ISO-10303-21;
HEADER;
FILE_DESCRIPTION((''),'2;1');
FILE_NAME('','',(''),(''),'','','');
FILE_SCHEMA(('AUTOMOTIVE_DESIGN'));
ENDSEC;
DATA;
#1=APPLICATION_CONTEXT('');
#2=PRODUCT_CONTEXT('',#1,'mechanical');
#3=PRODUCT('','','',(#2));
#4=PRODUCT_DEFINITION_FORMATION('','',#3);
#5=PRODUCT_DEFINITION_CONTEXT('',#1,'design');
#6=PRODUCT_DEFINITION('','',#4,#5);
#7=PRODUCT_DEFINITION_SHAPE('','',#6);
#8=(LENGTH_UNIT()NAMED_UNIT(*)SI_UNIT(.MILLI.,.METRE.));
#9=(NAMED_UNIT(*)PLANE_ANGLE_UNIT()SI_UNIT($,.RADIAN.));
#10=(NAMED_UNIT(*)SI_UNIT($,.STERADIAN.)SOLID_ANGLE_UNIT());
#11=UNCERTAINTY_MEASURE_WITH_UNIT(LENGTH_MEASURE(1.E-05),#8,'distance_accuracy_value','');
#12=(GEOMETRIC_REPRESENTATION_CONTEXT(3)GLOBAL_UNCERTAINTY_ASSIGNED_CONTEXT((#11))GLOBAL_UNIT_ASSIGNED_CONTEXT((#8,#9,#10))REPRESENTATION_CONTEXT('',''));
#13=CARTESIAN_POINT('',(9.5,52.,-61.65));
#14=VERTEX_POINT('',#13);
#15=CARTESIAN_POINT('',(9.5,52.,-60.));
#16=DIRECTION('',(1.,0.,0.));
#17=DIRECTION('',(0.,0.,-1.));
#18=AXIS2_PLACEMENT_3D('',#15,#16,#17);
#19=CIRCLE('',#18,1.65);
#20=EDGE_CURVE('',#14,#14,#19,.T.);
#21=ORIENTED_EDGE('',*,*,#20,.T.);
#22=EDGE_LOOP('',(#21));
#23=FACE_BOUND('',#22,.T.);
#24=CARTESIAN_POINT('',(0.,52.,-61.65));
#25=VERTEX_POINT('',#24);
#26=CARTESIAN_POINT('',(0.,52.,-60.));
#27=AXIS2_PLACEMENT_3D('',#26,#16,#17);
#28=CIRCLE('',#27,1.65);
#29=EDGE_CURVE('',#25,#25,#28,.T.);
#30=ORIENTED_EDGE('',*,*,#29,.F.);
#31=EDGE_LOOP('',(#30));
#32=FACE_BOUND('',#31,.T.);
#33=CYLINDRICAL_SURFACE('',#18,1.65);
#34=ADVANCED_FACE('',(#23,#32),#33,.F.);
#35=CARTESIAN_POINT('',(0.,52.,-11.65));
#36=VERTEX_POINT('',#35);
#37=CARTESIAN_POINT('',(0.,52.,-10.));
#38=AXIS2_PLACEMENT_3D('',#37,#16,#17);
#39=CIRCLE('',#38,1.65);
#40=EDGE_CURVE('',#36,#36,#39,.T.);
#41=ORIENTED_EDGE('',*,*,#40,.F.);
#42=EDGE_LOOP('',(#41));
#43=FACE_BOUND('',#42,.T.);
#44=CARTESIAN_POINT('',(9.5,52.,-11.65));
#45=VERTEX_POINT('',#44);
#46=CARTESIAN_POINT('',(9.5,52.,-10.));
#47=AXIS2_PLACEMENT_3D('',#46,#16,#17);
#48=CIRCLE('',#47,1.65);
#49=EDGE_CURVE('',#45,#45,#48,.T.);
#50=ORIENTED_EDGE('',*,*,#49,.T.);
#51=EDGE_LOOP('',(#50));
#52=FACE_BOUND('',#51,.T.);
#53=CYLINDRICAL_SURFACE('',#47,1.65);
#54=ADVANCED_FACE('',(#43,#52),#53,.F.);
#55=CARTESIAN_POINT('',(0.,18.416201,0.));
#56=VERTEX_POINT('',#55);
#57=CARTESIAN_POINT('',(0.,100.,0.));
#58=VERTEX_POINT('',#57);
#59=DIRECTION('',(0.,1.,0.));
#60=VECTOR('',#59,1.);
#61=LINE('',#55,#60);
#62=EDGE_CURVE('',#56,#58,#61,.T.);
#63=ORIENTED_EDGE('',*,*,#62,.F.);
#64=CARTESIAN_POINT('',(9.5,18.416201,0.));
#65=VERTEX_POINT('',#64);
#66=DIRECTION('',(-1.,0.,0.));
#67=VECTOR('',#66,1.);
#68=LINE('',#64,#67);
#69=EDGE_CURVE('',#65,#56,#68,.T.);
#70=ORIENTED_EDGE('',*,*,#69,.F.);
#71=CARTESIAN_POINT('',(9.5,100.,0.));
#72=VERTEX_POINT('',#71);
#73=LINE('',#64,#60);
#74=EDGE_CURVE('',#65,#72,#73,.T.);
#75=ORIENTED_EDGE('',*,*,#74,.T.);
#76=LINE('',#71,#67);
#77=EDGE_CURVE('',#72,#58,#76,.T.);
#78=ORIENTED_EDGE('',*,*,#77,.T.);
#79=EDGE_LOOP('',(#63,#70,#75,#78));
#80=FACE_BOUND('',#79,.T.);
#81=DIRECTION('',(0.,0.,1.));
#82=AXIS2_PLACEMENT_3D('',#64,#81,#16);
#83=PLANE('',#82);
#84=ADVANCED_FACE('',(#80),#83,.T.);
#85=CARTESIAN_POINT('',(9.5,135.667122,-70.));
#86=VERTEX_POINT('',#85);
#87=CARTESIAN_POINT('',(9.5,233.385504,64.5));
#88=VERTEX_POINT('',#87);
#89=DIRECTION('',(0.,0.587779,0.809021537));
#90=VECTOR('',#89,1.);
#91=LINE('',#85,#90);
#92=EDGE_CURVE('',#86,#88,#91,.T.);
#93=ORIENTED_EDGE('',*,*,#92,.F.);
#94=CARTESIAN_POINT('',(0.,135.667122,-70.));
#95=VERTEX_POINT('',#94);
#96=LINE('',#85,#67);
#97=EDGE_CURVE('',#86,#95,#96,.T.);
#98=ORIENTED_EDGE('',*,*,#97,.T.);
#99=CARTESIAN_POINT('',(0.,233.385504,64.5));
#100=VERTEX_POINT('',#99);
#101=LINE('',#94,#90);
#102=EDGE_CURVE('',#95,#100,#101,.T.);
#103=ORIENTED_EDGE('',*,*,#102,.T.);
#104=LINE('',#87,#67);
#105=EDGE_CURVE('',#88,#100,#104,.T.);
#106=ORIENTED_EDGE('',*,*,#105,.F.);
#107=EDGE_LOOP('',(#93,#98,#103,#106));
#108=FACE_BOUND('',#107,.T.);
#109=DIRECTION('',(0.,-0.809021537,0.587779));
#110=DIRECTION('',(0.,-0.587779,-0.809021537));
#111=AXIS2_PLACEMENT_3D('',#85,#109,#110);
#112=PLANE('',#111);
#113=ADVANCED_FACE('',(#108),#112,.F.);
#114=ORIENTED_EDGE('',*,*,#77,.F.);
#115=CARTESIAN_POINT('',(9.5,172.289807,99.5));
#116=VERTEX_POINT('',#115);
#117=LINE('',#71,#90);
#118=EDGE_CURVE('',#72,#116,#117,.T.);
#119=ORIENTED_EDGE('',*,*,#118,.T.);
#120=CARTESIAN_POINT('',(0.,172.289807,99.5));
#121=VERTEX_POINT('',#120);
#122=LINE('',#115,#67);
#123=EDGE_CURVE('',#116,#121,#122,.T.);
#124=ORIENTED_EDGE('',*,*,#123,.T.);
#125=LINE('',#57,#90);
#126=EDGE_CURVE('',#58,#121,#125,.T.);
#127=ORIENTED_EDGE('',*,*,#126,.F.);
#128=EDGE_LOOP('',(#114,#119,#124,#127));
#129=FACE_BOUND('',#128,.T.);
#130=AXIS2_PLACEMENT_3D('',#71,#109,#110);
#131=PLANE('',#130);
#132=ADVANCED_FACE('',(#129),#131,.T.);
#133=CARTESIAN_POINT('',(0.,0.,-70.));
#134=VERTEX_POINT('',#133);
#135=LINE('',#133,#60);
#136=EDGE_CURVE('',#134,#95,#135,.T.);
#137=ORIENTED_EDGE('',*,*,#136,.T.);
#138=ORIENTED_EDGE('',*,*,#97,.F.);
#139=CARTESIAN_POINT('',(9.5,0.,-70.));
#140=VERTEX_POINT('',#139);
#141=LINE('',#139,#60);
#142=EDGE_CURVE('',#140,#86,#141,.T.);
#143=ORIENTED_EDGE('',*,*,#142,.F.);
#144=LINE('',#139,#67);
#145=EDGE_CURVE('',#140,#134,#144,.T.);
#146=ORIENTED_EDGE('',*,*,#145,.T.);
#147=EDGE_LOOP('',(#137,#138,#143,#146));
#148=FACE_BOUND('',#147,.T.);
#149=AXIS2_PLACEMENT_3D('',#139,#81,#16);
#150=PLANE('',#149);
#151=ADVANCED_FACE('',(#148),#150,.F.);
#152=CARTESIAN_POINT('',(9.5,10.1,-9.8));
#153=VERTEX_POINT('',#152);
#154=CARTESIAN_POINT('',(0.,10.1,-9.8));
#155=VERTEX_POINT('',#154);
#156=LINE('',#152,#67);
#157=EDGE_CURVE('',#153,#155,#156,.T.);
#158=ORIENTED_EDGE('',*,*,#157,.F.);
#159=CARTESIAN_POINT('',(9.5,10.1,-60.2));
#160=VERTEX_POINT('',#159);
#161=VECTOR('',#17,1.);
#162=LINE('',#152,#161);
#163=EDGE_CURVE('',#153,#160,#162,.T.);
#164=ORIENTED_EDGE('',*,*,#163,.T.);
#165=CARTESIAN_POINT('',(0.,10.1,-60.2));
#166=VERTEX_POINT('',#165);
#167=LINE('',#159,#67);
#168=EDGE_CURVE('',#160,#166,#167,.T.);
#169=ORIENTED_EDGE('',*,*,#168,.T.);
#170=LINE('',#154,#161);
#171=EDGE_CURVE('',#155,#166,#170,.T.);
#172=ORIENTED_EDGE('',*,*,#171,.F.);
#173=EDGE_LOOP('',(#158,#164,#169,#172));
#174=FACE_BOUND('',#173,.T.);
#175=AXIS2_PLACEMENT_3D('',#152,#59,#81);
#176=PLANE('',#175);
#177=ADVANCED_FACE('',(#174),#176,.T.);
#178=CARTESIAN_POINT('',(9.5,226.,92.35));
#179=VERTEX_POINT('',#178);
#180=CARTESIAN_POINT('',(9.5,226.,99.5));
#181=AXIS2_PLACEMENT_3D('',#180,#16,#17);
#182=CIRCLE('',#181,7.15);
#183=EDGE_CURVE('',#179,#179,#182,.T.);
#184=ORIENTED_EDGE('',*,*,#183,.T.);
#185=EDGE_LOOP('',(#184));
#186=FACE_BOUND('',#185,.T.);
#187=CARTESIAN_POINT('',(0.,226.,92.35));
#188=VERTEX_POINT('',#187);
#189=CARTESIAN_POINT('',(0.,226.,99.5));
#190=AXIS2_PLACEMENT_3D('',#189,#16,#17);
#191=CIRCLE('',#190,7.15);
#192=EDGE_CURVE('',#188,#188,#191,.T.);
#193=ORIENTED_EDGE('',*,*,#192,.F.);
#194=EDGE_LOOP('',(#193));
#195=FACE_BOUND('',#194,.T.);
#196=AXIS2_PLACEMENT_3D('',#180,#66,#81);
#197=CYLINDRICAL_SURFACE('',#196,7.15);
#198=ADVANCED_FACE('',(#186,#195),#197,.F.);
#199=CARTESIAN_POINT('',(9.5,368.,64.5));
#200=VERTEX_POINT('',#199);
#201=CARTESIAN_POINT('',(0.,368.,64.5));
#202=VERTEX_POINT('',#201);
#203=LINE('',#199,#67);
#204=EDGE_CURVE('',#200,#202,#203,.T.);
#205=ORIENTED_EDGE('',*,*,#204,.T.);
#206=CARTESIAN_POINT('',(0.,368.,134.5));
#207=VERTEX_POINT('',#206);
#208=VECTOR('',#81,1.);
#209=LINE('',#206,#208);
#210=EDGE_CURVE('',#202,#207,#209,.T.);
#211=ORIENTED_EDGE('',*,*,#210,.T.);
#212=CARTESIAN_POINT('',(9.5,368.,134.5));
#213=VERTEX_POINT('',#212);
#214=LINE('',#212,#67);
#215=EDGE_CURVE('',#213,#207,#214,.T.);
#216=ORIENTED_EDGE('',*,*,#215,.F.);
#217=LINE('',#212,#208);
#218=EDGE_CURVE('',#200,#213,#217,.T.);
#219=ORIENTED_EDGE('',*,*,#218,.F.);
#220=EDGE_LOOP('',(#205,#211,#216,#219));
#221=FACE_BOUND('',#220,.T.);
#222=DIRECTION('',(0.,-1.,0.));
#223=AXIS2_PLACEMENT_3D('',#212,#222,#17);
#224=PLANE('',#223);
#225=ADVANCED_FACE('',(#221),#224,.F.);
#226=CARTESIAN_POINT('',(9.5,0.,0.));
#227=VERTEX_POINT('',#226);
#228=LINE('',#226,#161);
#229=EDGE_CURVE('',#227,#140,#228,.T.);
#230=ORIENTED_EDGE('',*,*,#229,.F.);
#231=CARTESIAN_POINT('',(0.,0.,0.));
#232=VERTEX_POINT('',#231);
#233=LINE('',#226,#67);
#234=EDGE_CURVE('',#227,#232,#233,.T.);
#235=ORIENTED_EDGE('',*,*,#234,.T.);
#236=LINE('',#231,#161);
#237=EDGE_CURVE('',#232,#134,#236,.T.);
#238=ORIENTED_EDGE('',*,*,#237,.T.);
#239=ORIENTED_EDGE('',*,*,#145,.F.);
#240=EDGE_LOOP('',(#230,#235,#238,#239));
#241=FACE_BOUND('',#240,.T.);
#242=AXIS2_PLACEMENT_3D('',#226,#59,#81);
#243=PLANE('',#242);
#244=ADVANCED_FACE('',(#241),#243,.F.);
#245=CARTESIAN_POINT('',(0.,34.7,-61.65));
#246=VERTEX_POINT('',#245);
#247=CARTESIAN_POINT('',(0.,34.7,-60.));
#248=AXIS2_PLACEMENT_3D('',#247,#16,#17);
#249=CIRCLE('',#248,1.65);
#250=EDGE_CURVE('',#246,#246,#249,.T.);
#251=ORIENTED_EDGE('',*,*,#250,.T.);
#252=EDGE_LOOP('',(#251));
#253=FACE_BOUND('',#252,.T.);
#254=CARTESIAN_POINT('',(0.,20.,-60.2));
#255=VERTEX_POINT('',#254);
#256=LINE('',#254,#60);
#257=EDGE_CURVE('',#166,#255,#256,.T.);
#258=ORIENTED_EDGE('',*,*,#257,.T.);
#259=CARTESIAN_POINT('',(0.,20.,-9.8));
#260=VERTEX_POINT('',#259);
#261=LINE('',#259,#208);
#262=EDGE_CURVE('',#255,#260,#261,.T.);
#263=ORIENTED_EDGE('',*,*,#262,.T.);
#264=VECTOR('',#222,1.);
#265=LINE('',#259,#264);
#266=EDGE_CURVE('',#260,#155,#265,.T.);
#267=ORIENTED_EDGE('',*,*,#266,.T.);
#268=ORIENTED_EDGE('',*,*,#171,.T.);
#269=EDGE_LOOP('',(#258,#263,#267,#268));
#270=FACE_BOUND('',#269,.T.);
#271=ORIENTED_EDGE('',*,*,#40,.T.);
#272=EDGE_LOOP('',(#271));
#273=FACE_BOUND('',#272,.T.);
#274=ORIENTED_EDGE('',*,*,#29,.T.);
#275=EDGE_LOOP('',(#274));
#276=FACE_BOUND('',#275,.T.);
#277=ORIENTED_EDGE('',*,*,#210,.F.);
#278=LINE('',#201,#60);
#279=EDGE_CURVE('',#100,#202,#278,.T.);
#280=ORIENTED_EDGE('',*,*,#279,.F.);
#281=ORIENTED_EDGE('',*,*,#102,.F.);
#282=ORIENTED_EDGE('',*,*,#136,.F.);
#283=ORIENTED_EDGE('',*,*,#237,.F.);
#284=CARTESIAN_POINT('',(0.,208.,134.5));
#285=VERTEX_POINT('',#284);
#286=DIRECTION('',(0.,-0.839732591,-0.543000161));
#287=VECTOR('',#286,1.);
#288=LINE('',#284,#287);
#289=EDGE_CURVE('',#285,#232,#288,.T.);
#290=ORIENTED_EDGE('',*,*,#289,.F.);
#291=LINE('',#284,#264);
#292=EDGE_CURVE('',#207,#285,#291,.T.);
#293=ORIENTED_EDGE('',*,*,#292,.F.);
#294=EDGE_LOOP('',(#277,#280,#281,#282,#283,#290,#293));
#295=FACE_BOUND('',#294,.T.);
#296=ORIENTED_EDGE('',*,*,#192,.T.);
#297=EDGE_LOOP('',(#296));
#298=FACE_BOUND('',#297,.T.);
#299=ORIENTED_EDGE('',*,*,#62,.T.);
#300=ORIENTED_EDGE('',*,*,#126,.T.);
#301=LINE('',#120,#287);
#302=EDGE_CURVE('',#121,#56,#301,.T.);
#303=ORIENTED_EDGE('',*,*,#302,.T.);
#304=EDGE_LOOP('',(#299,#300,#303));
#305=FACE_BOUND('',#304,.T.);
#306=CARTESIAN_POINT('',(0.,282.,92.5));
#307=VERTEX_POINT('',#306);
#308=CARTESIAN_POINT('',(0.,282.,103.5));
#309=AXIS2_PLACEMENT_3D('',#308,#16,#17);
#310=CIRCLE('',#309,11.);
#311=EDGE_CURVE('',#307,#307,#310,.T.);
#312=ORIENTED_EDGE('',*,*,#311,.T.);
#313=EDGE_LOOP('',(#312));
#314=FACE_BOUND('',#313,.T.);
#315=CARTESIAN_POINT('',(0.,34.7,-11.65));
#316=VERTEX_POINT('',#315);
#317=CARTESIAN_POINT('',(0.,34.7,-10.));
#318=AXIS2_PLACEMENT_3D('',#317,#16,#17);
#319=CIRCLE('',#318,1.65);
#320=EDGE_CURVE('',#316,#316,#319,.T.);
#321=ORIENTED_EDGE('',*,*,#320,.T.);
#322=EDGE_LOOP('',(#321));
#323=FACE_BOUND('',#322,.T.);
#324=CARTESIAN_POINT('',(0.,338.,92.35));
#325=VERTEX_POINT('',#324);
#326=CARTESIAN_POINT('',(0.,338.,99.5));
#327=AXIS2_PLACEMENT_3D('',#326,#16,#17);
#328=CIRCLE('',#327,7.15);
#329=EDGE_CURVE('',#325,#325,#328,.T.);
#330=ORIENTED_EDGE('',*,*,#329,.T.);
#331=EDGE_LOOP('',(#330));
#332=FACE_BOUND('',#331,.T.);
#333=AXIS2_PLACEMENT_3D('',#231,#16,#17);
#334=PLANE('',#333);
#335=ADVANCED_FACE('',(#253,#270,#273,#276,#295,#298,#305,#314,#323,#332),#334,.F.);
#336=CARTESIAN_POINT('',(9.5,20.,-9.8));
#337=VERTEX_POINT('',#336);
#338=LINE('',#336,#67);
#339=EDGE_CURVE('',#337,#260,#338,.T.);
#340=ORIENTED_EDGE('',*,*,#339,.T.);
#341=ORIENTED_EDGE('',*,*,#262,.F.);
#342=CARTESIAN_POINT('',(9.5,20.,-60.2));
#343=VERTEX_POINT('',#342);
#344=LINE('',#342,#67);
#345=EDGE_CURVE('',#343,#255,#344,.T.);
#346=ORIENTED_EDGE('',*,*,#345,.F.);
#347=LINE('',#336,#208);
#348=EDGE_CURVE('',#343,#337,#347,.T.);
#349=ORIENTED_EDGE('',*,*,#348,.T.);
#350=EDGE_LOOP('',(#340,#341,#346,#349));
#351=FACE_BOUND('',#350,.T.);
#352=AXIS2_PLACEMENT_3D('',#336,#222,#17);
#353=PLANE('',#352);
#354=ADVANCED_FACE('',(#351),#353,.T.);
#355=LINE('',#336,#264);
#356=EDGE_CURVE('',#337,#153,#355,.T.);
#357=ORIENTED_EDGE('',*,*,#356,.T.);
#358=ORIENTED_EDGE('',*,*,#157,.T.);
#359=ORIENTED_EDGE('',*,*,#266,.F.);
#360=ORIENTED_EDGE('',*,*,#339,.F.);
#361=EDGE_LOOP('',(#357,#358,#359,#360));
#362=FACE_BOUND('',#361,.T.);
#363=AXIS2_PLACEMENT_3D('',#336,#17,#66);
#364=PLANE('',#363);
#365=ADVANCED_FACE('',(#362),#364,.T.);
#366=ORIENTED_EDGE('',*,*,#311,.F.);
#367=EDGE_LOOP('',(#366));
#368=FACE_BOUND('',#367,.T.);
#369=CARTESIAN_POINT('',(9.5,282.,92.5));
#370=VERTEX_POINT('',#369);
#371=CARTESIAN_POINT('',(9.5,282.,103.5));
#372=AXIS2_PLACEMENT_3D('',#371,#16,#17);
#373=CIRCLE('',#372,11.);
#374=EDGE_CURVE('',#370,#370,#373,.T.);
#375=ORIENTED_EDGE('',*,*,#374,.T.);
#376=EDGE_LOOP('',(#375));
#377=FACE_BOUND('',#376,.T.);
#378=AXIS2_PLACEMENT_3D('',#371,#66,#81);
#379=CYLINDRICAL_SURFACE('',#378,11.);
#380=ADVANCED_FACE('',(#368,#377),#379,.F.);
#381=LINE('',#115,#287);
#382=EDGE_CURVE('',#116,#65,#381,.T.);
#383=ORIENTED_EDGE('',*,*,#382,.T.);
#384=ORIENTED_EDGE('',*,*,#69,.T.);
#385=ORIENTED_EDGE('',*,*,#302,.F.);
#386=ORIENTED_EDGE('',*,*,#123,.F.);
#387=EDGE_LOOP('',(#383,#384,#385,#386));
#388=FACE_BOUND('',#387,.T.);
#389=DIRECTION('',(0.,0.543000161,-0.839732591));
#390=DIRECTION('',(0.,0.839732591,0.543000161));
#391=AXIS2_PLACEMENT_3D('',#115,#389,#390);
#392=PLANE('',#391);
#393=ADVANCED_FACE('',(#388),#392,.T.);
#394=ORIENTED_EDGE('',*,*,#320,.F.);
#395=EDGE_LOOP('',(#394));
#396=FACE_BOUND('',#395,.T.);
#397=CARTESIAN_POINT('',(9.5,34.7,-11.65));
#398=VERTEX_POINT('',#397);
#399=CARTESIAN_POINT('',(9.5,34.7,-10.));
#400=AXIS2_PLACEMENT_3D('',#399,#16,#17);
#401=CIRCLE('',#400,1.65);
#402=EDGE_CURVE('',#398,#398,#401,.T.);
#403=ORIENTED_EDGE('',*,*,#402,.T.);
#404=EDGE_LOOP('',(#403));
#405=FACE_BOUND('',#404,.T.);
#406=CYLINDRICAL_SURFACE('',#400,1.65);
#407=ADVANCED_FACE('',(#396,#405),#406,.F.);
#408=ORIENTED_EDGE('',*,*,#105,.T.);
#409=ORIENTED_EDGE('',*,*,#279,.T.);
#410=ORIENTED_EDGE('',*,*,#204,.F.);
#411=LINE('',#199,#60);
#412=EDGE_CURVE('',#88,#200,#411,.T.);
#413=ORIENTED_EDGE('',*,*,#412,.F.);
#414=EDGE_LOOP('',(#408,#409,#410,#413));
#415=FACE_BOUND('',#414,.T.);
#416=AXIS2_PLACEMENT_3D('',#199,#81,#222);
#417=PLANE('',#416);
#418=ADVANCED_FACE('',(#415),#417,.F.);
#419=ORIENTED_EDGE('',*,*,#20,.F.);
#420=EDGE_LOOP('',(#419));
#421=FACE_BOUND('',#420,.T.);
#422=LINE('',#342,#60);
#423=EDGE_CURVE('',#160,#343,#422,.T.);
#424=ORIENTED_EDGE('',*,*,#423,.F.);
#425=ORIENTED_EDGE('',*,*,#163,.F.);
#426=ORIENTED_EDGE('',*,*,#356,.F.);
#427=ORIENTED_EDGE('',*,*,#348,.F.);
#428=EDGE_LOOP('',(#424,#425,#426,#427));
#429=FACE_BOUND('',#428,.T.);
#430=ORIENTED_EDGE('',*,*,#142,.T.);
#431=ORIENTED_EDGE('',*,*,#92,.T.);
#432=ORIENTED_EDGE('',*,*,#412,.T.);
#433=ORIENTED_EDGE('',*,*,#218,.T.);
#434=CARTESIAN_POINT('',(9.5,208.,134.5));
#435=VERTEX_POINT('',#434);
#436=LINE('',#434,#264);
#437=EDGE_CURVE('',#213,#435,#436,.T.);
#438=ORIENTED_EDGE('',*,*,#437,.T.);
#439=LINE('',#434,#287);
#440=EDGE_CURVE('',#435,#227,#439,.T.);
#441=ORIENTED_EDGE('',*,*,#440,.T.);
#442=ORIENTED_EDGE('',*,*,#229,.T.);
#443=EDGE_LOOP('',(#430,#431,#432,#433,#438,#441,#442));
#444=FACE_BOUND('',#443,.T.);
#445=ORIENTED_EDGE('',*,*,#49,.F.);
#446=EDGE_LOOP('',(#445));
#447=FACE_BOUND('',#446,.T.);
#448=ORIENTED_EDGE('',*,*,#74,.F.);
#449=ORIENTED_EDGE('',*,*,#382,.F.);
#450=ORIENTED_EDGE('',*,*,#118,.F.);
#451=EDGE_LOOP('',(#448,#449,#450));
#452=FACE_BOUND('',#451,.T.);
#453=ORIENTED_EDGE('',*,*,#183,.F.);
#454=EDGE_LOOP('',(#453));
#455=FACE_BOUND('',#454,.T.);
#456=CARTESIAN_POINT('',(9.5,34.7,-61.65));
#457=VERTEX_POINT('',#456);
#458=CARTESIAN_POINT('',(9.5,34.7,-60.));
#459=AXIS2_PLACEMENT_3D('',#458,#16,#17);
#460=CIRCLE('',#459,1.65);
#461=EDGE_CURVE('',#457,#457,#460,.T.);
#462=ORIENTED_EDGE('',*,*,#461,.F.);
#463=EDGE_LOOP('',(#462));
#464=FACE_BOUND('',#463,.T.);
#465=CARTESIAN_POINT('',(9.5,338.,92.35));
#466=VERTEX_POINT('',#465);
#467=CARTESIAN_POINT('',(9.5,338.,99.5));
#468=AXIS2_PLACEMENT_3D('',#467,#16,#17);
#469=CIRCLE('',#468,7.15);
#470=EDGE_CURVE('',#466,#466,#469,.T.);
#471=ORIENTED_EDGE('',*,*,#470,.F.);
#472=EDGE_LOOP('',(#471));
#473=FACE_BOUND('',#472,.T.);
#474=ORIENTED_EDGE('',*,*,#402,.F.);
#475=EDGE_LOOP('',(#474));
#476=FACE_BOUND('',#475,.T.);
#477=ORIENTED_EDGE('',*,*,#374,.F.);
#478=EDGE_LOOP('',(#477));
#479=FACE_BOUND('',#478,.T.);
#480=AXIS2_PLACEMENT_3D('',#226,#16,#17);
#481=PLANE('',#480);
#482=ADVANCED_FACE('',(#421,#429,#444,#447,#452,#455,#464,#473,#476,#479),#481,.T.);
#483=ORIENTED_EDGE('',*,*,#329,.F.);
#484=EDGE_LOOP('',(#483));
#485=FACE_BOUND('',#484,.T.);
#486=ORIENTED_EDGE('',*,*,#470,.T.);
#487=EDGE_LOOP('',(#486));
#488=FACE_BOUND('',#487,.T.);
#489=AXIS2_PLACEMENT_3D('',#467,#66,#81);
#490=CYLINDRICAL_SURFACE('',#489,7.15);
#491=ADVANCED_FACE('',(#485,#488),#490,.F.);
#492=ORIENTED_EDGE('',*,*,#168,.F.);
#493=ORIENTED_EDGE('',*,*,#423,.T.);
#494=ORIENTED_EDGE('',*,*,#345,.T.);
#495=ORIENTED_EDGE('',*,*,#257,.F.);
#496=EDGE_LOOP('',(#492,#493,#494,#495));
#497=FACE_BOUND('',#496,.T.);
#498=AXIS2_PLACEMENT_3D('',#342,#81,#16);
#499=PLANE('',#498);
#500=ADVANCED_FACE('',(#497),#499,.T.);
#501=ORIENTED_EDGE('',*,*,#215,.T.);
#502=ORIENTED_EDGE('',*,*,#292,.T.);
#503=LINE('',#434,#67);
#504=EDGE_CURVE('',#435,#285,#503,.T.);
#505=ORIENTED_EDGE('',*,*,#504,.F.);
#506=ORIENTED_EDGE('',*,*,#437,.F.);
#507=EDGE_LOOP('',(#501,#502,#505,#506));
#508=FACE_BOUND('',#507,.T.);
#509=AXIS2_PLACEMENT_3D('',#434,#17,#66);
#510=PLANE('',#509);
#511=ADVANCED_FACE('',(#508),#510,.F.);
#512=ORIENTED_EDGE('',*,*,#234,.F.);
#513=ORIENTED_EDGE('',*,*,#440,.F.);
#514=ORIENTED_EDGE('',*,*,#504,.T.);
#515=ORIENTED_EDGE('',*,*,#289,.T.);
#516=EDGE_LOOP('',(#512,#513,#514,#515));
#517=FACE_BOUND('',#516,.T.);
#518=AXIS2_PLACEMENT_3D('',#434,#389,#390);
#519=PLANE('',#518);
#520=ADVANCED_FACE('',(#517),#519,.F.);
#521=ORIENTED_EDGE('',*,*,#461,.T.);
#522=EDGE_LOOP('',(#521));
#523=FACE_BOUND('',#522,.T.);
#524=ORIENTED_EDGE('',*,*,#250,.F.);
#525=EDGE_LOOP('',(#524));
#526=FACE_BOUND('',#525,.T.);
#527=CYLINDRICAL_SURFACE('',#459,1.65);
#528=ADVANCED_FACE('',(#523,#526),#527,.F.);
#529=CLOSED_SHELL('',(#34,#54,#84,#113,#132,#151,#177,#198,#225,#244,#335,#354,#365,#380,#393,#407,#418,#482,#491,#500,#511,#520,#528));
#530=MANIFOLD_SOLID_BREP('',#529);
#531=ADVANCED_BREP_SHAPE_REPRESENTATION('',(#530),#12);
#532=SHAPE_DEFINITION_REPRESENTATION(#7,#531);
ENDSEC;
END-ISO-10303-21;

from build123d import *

# Parameters (mm, degrees)
SKETCH1_R           = 7.15
SKETCH1_R_2         = 11
SKETCH1_W           = 50.4
SKETCH1_H           = 9.9
BOSS_EXTRUDE1_DEPTH = 9.5
M4_TAPPED_HOLE1_D   = 3.3


with BuildPart() as part:
    # Sketch1 → Boss-Extrude1 (new body)
    with BuildSketch(Plane(origin=(0, 0, 0), x_dir=(0, 0, -1), z_dir=(1, 0, 0))):
        Polygon((0, 0), (70, 0), (70, 135.667122158), (-64.5, 233.385504136), (-64.5, 368), (-134.5, 368), (-134.5, 208), align=None)
        with Locations((-99.5, 338)):
            Circle(SKETCH1_R, mode=Mode.SUBTRACT)
        with Locations((-99.5, 226)):
            Circle(SKETCH1_R, mode=Mode.SUBTRACT)
        with Locations((-103.5, 282)):
            Circle(SKETCH1_R_2, mode=Mode.SUBTRACT)
        Polygon((0, 18.416200794), (0, 100), (-99.5, 172.289806742), align=None, mode=Mode.SUBTRACT)
        with Locations((35, 15.05)):
            Rectangle(SKETCH1_W, SKETCH1_H, mode=Mode.SUBTRACT)
    extrude(amount=BOSS_EXTRUDE1_DEPTH)

    # M4 Tapped Hole1 (through all)
    with Locations(Plane(origin=(9.5, 0, 0), x_dir=(0, 0, -1), z_dir=(1, 0, 0))):
        with Locations((10, 34.7), (10, 52), (60, 34.7), (60, 52)):
            Hole(M4_TAPPED_HOLE1_D / 2)


solid = part.part
